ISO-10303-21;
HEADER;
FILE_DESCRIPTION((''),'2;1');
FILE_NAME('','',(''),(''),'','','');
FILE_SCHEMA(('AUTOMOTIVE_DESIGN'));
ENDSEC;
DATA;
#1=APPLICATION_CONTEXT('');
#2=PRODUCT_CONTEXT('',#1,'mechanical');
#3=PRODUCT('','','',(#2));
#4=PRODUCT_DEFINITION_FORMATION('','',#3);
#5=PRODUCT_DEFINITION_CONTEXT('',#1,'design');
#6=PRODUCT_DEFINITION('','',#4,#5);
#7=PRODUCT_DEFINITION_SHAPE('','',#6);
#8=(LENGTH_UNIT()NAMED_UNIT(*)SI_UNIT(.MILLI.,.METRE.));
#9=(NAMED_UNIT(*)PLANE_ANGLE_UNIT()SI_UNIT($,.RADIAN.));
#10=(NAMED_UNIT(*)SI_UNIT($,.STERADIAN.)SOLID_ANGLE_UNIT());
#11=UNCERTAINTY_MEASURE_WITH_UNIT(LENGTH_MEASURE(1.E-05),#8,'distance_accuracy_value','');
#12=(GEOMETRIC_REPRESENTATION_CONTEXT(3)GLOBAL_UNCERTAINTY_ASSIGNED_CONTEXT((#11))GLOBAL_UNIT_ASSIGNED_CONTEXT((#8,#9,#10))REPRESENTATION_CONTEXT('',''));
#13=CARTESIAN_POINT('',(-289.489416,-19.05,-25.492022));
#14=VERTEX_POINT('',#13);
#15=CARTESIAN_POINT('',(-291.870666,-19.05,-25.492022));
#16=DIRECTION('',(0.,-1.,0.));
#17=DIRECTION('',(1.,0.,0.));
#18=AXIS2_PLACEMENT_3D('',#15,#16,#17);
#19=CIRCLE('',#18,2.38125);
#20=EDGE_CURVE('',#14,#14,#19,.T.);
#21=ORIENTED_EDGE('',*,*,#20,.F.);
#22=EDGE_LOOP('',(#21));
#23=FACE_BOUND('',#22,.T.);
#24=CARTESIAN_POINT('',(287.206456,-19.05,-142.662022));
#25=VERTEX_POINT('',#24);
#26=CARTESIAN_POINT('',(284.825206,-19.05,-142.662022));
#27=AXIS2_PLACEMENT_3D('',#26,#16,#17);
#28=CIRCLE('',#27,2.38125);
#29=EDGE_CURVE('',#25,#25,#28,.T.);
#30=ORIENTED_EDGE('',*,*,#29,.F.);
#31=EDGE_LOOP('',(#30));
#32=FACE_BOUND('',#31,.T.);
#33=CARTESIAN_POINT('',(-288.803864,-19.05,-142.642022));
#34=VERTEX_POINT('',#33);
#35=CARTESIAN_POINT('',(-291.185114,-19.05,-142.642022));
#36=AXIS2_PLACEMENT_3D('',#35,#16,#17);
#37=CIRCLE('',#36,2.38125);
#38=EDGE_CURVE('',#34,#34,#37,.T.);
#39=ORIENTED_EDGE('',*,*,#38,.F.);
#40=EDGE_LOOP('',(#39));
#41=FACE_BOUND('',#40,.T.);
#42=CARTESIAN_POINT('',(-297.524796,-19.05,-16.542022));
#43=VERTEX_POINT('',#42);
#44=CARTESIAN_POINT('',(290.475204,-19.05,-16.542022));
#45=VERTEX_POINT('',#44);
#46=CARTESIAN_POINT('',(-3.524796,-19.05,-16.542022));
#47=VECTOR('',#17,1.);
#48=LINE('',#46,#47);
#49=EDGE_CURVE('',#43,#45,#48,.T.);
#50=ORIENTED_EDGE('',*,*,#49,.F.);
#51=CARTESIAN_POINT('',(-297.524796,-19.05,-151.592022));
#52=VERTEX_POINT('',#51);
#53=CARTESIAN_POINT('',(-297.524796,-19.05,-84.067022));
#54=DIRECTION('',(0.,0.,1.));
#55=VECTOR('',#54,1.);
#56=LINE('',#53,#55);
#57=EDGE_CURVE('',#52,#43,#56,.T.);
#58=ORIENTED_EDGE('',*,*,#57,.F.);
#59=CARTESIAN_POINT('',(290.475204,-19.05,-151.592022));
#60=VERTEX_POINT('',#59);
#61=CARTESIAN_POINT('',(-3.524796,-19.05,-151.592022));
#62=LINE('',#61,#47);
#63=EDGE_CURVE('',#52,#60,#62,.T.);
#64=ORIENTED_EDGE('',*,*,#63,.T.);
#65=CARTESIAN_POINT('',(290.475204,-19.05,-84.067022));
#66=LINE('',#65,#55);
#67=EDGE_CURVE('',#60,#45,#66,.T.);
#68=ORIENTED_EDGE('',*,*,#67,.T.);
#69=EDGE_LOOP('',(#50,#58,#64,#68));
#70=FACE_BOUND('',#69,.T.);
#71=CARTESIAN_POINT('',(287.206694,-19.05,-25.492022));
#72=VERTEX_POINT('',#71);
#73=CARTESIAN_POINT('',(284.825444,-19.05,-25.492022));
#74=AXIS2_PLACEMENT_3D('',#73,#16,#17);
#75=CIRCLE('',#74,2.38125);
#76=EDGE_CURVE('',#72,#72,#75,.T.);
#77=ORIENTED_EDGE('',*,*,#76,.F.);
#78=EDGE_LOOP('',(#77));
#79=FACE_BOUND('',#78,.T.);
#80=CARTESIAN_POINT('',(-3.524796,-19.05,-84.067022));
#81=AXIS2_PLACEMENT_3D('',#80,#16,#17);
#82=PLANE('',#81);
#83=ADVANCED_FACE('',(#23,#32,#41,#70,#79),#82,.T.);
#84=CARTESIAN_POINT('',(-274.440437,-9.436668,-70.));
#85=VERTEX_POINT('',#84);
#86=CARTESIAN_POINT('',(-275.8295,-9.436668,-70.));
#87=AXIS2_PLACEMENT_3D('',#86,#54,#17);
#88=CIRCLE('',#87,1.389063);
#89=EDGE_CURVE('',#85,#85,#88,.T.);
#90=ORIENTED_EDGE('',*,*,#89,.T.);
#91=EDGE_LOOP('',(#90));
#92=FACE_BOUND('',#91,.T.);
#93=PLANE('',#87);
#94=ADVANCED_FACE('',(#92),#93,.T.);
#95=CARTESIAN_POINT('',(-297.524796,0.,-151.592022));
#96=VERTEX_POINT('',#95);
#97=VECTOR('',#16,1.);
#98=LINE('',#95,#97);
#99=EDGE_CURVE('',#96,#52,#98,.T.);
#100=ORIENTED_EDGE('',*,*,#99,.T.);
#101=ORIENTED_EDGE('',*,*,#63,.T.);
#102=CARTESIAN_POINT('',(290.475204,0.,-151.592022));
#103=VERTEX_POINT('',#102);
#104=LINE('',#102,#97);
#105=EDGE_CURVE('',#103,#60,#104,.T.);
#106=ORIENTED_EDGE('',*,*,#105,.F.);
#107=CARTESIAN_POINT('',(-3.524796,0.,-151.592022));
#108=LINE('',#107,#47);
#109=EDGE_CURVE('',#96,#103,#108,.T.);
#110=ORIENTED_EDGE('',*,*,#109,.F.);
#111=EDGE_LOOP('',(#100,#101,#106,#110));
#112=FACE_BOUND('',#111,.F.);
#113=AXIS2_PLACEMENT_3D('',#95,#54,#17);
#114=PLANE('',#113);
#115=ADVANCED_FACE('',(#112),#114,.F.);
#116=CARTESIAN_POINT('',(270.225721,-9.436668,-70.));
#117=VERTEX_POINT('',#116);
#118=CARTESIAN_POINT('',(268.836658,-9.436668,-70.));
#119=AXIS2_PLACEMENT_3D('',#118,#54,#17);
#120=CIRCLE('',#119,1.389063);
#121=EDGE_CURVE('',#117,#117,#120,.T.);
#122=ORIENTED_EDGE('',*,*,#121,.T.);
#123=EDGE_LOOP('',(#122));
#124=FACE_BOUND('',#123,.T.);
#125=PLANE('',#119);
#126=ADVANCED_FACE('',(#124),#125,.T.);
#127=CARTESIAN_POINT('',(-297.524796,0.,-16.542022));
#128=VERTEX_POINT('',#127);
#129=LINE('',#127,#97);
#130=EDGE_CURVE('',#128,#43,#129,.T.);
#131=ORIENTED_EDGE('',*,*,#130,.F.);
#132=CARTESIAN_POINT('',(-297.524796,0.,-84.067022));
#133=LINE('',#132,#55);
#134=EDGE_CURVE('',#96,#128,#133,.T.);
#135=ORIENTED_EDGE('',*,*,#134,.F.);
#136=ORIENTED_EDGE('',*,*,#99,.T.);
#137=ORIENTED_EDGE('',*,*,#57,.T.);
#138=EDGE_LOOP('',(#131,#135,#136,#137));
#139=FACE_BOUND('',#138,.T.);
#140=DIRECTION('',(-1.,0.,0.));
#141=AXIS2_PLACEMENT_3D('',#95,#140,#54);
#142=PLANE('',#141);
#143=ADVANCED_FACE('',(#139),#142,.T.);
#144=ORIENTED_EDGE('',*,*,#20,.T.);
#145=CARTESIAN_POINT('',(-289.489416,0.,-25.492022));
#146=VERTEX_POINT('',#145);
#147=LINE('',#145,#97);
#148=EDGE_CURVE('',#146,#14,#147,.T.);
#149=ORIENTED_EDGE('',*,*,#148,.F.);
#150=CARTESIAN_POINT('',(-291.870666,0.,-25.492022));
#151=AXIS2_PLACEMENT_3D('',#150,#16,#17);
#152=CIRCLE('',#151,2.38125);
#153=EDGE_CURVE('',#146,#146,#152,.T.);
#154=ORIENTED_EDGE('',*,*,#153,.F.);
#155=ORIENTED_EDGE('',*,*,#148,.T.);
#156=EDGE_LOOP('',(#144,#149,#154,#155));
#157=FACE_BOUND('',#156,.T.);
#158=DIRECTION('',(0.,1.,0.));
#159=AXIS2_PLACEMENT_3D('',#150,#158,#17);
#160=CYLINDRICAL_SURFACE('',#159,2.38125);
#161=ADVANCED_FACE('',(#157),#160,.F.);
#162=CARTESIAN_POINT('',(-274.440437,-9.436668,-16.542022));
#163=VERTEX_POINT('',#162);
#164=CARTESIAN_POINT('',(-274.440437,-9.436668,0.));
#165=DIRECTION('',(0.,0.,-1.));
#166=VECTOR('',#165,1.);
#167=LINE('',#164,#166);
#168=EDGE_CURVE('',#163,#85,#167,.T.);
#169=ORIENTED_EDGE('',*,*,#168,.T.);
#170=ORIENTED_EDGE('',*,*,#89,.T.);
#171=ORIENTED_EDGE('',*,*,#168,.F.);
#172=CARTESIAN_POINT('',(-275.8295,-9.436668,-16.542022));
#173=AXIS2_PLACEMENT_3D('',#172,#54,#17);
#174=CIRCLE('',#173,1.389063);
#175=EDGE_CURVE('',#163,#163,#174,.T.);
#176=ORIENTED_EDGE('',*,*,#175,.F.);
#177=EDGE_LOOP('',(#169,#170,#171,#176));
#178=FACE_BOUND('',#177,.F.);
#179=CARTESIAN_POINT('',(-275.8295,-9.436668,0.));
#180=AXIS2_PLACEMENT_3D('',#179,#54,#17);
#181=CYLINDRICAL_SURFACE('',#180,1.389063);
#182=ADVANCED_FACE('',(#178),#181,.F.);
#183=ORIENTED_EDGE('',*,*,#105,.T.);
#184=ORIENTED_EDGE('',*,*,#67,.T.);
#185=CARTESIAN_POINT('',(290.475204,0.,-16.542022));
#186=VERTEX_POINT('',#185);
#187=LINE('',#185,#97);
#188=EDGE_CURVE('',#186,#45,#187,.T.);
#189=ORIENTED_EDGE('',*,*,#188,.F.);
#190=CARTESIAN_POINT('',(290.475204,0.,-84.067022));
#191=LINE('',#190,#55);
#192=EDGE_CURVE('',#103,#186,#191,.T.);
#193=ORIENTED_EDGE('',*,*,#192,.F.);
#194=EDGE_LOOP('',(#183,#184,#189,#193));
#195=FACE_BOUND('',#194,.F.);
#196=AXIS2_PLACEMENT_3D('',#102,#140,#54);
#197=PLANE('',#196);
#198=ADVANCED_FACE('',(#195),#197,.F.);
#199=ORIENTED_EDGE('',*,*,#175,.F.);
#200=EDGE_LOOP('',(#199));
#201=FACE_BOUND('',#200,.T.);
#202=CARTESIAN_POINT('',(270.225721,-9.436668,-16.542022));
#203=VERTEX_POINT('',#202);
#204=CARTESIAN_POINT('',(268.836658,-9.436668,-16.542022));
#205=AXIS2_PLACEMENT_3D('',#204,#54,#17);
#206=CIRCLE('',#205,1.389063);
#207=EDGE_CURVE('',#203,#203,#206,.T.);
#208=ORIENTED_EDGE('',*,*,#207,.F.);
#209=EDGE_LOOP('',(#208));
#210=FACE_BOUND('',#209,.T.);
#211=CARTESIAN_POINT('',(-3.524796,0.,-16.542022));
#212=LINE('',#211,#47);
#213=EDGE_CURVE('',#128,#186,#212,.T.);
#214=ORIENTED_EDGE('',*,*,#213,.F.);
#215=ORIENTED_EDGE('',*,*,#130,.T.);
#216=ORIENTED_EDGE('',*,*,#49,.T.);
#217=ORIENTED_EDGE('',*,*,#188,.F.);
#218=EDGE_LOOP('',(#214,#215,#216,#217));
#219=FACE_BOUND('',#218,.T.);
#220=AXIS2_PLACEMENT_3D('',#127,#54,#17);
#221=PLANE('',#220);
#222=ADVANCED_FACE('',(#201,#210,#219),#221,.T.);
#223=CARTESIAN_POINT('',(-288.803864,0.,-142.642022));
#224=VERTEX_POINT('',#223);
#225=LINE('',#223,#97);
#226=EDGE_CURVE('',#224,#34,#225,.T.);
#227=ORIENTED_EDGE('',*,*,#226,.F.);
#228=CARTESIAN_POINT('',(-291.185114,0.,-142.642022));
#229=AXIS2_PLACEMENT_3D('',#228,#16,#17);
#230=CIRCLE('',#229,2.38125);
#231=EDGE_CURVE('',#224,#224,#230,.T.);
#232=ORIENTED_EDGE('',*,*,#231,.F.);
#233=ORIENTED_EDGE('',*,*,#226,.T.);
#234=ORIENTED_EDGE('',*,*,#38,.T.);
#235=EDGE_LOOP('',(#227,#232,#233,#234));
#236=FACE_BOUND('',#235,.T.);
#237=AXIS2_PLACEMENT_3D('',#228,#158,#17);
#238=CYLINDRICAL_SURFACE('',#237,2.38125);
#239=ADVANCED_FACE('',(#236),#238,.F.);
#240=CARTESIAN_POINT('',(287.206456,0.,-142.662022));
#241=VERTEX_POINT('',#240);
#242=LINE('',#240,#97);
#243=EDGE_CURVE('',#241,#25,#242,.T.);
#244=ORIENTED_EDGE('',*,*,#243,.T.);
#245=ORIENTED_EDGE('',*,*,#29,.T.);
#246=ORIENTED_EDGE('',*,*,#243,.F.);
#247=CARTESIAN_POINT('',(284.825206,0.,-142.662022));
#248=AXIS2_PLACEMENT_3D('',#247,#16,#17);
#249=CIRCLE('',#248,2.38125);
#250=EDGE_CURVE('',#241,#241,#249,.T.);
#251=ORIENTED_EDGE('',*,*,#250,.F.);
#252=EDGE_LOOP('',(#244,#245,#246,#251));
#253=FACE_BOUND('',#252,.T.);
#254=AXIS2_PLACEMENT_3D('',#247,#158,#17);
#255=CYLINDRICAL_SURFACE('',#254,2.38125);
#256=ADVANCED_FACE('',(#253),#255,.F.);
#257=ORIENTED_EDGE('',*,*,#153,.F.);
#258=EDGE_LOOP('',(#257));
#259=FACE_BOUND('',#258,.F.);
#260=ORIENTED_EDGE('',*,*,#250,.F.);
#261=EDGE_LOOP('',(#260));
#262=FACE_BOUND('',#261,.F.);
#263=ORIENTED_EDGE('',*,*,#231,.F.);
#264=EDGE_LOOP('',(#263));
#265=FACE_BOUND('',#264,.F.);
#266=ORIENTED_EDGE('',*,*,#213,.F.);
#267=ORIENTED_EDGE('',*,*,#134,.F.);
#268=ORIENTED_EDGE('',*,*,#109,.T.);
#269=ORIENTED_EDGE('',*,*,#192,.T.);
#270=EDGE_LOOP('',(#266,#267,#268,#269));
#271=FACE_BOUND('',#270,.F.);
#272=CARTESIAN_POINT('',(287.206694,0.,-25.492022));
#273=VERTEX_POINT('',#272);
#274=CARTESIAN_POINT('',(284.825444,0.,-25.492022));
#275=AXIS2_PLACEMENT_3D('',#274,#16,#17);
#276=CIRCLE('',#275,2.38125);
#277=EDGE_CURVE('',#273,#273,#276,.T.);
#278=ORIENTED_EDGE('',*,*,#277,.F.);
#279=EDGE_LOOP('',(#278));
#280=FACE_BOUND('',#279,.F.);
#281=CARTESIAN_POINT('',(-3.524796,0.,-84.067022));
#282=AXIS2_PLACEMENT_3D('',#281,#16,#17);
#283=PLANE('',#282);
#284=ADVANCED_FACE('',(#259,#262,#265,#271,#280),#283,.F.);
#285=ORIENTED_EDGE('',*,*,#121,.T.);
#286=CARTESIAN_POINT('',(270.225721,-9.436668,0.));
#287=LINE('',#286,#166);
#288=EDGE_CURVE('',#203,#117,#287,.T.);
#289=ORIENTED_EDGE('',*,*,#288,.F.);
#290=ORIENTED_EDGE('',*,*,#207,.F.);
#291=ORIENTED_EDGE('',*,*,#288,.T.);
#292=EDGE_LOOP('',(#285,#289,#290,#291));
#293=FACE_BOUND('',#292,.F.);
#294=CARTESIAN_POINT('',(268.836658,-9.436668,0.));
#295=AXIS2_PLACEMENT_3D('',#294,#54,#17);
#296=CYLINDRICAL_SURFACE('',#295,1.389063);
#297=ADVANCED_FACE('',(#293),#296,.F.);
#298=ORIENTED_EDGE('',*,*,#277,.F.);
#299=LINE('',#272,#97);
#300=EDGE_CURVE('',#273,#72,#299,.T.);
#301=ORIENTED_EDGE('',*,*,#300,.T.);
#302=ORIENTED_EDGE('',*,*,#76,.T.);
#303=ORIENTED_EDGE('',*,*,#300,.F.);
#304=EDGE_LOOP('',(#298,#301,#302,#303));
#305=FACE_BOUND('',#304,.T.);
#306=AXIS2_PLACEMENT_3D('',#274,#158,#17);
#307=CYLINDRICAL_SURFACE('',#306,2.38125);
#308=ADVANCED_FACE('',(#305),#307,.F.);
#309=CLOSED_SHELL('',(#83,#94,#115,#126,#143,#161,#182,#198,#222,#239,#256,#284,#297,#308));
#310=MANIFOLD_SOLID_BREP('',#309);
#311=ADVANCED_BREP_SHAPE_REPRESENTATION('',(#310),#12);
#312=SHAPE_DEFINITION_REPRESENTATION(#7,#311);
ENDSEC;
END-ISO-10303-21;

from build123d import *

# Parameters (mm, degrees)
F0_W     = 588
F0_H     = 135.05
F0_R     = 2.38125
F1_DEPTH = 19.05
F2_R     = 1.389063
F3_DEPTH = 70
F4_DEPTH = 19.05
F5_DEPTH = 70


with BuildPart() as f1:
    # F0 (on Front) → F1 (new body)
    with BuildSketch(Plane.XZ):
        with Locations((-3.524796, -84.067022)):
            Rectangle(F0_W, F0_H)
        with Locations((-291.185114, -142.642022)):
            Circle(F0_R, mode=Mode.SUBTRACT)
        with Locations((284.825206, -142.662022)):
            Circle(F0_R, mode=Mode.SUBTRACT)
        with Locations((-291.870666, -25.492022)):
            Circle(F0_R, mode=Mode.SUBTRACT)
        with Locations((284.825444, -25.492022)):
            Circle(F0_R, mode=Mode.SUBTRACT)
    extrude(amount=F1_DEPTH)

    # F2 (on Top) → F3 (cut)
    with BuildSketch(Plane.XY):
        with Locations((-275.8295, -9.436668)):
            Circle(F2_R)
        with Locations((268.836658, -9.436668)):
            Circle(F2_R)
    extrude(amount=-F3_DEPTH, mode=Mode.SUBTRACT)

    # F0 (on Front) → F4 (cut)
    with BuildSketch(Plane.XZ):
        with Locations((-3.524796, -84.067022)):
            Rectangle(F0_W, F0_H)
        with Locations((-291.185114, -142.642022)):
            Circle(F0_R, mode=Mode.SUBTRACT)
        with Locations((284.825206, -142.662022)):
            Circle(F0_R, mode=Mode.SUBTRACT)
        with Locations((-291.870666, -25.492022)):
            Circle(F0_R, mode=Mode.SUBTRACT)
        with Locations((284.825444, -25.492022)):
            Circle(F0_R, mode=Mode.SUBTRACT)
    extrude(amount=-F4_DEPTH, mode=Mode.SUBTRACT)

    # F2 (on Top) → F5 (cut)
    with BuildSketch(Plane.XY):
        with Locations((-275.8295, -9.436668)):
            Circle(F2_R)
        with Locations((268.836658, -9.436668)):
            Circle(F2_R)
    extrude(amount=-F5_DEPTH, mode=Mode.SUBTRACT)


solid = f1.part
